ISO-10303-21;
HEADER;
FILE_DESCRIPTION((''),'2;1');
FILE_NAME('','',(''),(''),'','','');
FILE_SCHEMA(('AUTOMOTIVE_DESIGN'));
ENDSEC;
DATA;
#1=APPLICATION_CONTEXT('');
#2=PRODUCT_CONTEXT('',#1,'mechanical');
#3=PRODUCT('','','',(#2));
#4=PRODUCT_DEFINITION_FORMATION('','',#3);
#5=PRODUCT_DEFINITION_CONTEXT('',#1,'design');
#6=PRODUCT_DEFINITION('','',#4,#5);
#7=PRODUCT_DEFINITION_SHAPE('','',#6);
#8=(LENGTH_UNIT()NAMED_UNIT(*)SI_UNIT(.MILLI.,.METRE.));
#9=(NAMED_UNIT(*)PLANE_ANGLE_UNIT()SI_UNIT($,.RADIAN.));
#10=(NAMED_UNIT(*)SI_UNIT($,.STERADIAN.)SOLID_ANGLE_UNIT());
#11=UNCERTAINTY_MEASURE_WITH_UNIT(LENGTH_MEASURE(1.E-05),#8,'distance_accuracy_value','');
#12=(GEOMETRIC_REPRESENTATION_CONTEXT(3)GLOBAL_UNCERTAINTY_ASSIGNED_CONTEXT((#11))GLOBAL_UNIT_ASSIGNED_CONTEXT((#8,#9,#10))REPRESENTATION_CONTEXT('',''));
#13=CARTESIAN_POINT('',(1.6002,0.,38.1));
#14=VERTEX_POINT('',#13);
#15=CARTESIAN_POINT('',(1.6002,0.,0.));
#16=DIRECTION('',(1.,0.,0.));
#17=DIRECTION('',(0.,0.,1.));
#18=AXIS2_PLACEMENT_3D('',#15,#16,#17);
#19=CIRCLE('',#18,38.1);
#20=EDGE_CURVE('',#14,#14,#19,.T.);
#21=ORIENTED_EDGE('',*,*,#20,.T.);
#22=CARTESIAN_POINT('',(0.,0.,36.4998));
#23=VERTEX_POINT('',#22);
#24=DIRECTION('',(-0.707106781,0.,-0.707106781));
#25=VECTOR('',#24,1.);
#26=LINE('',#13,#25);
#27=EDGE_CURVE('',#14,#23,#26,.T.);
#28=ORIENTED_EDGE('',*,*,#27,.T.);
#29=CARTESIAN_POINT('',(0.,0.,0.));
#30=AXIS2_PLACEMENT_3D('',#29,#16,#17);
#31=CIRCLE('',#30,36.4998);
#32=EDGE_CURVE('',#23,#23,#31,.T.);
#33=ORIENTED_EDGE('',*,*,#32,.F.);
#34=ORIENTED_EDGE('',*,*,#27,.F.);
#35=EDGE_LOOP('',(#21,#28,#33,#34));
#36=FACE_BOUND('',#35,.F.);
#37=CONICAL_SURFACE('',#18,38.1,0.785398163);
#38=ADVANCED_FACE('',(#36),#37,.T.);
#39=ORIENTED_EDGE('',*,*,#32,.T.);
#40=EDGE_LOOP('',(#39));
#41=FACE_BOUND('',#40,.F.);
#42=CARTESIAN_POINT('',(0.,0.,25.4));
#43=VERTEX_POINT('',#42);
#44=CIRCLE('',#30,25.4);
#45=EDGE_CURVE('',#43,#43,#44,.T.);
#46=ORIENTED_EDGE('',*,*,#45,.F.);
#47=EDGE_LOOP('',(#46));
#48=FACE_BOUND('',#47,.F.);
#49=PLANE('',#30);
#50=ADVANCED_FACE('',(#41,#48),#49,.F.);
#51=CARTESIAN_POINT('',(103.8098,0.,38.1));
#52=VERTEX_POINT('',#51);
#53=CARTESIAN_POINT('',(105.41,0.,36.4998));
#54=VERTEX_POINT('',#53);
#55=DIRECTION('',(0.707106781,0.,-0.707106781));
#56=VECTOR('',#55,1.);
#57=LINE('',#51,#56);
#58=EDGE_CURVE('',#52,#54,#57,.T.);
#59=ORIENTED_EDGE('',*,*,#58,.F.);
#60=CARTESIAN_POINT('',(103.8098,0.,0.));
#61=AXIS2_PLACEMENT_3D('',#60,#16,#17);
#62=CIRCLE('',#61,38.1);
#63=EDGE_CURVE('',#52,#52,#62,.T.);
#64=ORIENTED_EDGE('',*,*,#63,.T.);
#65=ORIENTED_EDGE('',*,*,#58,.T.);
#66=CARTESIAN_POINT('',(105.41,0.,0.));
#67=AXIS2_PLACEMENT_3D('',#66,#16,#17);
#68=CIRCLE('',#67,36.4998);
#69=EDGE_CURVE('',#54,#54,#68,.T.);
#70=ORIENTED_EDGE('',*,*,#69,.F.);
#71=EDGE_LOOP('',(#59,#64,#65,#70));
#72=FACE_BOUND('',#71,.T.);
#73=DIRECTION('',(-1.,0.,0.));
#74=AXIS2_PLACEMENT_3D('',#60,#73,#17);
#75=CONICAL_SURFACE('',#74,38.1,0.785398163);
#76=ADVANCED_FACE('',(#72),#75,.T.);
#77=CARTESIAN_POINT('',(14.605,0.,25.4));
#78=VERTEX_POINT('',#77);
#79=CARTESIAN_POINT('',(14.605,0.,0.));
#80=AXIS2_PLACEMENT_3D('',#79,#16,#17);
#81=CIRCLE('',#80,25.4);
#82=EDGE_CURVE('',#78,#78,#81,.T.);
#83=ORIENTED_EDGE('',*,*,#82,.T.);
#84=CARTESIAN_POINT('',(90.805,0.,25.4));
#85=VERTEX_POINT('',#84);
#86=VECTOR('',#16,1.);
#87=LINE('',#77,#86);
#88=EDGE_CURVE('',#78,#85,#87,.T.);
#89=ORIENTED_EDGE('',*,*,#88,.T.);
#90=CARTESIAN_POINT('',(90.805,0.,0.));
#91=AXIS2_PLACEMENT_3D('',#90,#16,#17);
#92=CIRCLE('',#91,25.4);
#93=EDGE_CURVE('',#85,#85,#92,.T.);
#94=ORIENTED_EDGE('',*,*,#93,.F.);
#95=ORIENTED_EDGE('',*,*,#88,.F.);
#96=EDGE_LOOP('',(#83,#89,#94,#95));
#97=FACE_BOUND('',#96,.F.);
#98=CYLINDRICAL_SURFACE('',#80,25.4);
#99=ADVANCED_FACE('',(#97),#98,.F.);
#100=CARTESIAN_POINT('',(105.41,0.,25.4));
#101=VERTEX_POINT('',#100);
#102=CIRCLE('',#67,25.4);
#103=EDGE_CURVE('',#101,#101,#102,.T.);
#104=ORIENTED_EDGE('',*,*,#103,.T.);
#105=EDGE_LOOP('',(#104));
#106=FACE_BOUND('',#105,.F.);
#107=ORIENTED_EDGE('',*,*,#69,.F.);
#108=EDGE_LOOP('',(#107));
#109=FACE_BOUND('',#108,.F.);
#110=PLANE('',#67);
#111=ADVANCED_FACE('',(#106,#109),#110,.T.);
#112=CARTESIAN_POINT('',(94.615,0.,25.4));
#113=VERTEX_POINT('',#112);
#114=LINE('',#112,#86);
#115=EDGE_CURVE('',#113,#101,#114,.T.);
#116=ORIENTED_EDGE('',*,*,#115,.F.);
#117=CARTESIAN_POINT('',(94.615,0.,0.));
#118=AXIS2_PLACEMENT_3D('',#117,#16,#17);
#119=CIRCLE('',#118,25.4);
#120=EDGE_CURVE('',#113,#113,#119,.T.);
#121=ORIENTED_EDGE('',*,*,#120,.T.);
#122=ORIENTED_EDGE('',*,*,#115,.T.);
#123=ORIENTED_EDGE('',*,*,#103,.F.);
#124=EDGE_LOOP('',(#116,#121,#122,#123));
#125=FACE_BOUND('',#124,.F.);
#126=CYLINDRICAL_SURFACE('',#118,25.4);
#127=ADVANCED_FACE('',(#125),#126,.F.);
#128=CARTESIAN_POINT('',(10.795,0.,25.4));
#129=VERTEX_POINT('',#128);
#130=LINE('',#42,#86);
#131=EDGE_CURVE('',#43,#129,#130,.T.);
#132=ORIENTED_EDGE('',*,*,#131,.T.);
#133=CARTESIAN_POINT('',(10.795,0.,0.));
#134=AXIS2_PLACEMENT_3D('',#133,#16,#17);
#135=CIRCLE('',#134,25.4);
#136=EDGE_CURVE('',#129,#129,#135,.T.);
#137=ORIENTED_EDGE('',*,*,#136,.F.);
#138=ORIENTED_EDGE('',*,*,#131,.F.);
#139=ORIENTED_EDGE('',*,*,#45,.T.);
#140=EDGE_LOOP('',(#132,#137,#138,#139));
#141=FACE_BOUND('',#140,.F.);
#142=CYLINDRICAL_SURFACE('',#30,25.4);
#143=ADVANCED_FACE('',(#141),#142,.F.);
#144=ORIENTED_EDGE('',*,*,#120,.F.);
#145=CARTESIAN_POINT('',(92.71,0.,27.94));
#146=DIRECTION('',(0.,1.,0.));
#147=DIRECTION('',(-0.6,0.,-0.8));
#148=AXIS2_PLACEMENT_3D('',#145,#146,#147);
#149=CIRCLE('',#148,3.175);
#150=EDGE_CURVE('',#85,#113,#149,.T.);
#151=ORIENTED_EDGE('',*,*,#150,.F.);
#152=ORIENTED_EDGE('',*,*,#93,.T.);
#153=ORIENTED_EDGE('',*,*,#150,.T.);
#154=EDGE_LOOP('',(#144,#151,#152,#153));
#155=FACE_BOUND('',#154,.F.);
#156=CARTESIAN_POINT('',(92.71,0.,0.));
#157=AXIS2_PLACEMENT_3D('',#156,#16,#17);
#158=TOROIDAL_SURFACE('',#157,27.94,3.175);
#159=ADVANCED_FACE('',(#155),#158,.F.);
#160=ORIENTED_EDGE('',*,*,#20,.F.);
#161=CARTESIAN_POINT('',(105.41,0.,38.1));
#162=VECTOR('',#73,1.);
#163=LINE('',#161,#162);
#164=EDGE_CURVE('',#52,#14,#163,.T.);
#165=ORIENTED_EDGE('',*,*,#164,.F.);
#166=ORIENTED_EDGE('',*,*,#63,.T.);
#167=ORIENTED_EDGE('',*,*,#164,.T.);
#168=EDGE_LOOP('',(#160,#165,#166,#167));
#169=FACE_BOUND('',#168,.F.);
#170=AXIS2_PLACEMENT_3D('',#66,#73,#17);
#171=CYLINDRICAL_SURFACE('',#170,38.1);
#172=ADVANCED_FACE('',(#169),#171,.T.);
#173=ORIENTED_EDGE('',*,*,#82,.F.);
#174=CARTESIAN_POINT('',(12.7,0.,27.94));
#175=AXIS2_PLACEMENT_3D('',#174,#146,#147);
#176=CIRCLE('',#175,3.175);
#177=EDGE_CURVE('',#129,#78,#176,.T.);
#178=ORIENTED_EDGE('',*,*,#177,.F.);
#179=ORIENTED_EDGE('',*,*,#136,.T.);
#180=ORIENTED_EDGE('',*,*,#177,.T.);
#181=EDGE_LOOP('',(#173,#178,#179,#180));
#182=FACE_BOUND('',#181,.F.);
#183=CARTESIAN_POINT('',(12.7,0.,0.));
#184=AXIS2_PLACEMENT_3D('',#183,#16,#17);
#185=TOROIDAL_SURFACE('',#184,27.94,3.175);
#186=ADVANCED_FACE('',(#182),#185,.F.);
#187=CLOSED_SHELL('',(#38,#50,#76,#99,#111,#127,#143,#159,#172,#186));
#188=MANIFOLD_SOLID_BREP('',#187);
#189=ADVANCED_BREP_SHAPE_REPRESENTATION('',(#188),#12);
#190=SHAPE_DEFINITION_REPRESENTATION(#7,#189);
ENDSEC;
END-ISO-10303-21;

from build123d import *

# Parameters (mm, degrees)
F2_SIZE = 1.6002


with BuildPart() as f1:
    # F0 (on Front) → F1 (revolve)
    with BuildSketch(Plane.XZ):
        with BuildLine():
            Line((105.41, 38.1), (0, 38.1))
            Line((0, 38.1), (0, 25.4))
            Line((0, 25.4), (10.795, 25.4))
            ThreePointArc((10.795, 25.4), (12.7, 31.115), (14.605, 25.4))
            Line((14.605, 25.4), (90.805, 25.4))
            ThreePointArc((90.805, 25.4), (92.71, 31.115), (94.615, 25.4))
            Line((94.615, 25.4), (105.41, 25.4))
            Line((105.41, 25.4), (105.41, 38.1))
        make_face()
    revolve(axis=Axis((63.5, 0, 0), (1, 0, 0)))

    # F2
    f2_edges = [f1.edges().sort_by_distance(p)[0] for p in [
        (105.41, 0, -38.1),
        (0, 0, -38.1),
    ]]
    chamfer(f2_edges, length=F2_SIZE)


solid = f1.part
